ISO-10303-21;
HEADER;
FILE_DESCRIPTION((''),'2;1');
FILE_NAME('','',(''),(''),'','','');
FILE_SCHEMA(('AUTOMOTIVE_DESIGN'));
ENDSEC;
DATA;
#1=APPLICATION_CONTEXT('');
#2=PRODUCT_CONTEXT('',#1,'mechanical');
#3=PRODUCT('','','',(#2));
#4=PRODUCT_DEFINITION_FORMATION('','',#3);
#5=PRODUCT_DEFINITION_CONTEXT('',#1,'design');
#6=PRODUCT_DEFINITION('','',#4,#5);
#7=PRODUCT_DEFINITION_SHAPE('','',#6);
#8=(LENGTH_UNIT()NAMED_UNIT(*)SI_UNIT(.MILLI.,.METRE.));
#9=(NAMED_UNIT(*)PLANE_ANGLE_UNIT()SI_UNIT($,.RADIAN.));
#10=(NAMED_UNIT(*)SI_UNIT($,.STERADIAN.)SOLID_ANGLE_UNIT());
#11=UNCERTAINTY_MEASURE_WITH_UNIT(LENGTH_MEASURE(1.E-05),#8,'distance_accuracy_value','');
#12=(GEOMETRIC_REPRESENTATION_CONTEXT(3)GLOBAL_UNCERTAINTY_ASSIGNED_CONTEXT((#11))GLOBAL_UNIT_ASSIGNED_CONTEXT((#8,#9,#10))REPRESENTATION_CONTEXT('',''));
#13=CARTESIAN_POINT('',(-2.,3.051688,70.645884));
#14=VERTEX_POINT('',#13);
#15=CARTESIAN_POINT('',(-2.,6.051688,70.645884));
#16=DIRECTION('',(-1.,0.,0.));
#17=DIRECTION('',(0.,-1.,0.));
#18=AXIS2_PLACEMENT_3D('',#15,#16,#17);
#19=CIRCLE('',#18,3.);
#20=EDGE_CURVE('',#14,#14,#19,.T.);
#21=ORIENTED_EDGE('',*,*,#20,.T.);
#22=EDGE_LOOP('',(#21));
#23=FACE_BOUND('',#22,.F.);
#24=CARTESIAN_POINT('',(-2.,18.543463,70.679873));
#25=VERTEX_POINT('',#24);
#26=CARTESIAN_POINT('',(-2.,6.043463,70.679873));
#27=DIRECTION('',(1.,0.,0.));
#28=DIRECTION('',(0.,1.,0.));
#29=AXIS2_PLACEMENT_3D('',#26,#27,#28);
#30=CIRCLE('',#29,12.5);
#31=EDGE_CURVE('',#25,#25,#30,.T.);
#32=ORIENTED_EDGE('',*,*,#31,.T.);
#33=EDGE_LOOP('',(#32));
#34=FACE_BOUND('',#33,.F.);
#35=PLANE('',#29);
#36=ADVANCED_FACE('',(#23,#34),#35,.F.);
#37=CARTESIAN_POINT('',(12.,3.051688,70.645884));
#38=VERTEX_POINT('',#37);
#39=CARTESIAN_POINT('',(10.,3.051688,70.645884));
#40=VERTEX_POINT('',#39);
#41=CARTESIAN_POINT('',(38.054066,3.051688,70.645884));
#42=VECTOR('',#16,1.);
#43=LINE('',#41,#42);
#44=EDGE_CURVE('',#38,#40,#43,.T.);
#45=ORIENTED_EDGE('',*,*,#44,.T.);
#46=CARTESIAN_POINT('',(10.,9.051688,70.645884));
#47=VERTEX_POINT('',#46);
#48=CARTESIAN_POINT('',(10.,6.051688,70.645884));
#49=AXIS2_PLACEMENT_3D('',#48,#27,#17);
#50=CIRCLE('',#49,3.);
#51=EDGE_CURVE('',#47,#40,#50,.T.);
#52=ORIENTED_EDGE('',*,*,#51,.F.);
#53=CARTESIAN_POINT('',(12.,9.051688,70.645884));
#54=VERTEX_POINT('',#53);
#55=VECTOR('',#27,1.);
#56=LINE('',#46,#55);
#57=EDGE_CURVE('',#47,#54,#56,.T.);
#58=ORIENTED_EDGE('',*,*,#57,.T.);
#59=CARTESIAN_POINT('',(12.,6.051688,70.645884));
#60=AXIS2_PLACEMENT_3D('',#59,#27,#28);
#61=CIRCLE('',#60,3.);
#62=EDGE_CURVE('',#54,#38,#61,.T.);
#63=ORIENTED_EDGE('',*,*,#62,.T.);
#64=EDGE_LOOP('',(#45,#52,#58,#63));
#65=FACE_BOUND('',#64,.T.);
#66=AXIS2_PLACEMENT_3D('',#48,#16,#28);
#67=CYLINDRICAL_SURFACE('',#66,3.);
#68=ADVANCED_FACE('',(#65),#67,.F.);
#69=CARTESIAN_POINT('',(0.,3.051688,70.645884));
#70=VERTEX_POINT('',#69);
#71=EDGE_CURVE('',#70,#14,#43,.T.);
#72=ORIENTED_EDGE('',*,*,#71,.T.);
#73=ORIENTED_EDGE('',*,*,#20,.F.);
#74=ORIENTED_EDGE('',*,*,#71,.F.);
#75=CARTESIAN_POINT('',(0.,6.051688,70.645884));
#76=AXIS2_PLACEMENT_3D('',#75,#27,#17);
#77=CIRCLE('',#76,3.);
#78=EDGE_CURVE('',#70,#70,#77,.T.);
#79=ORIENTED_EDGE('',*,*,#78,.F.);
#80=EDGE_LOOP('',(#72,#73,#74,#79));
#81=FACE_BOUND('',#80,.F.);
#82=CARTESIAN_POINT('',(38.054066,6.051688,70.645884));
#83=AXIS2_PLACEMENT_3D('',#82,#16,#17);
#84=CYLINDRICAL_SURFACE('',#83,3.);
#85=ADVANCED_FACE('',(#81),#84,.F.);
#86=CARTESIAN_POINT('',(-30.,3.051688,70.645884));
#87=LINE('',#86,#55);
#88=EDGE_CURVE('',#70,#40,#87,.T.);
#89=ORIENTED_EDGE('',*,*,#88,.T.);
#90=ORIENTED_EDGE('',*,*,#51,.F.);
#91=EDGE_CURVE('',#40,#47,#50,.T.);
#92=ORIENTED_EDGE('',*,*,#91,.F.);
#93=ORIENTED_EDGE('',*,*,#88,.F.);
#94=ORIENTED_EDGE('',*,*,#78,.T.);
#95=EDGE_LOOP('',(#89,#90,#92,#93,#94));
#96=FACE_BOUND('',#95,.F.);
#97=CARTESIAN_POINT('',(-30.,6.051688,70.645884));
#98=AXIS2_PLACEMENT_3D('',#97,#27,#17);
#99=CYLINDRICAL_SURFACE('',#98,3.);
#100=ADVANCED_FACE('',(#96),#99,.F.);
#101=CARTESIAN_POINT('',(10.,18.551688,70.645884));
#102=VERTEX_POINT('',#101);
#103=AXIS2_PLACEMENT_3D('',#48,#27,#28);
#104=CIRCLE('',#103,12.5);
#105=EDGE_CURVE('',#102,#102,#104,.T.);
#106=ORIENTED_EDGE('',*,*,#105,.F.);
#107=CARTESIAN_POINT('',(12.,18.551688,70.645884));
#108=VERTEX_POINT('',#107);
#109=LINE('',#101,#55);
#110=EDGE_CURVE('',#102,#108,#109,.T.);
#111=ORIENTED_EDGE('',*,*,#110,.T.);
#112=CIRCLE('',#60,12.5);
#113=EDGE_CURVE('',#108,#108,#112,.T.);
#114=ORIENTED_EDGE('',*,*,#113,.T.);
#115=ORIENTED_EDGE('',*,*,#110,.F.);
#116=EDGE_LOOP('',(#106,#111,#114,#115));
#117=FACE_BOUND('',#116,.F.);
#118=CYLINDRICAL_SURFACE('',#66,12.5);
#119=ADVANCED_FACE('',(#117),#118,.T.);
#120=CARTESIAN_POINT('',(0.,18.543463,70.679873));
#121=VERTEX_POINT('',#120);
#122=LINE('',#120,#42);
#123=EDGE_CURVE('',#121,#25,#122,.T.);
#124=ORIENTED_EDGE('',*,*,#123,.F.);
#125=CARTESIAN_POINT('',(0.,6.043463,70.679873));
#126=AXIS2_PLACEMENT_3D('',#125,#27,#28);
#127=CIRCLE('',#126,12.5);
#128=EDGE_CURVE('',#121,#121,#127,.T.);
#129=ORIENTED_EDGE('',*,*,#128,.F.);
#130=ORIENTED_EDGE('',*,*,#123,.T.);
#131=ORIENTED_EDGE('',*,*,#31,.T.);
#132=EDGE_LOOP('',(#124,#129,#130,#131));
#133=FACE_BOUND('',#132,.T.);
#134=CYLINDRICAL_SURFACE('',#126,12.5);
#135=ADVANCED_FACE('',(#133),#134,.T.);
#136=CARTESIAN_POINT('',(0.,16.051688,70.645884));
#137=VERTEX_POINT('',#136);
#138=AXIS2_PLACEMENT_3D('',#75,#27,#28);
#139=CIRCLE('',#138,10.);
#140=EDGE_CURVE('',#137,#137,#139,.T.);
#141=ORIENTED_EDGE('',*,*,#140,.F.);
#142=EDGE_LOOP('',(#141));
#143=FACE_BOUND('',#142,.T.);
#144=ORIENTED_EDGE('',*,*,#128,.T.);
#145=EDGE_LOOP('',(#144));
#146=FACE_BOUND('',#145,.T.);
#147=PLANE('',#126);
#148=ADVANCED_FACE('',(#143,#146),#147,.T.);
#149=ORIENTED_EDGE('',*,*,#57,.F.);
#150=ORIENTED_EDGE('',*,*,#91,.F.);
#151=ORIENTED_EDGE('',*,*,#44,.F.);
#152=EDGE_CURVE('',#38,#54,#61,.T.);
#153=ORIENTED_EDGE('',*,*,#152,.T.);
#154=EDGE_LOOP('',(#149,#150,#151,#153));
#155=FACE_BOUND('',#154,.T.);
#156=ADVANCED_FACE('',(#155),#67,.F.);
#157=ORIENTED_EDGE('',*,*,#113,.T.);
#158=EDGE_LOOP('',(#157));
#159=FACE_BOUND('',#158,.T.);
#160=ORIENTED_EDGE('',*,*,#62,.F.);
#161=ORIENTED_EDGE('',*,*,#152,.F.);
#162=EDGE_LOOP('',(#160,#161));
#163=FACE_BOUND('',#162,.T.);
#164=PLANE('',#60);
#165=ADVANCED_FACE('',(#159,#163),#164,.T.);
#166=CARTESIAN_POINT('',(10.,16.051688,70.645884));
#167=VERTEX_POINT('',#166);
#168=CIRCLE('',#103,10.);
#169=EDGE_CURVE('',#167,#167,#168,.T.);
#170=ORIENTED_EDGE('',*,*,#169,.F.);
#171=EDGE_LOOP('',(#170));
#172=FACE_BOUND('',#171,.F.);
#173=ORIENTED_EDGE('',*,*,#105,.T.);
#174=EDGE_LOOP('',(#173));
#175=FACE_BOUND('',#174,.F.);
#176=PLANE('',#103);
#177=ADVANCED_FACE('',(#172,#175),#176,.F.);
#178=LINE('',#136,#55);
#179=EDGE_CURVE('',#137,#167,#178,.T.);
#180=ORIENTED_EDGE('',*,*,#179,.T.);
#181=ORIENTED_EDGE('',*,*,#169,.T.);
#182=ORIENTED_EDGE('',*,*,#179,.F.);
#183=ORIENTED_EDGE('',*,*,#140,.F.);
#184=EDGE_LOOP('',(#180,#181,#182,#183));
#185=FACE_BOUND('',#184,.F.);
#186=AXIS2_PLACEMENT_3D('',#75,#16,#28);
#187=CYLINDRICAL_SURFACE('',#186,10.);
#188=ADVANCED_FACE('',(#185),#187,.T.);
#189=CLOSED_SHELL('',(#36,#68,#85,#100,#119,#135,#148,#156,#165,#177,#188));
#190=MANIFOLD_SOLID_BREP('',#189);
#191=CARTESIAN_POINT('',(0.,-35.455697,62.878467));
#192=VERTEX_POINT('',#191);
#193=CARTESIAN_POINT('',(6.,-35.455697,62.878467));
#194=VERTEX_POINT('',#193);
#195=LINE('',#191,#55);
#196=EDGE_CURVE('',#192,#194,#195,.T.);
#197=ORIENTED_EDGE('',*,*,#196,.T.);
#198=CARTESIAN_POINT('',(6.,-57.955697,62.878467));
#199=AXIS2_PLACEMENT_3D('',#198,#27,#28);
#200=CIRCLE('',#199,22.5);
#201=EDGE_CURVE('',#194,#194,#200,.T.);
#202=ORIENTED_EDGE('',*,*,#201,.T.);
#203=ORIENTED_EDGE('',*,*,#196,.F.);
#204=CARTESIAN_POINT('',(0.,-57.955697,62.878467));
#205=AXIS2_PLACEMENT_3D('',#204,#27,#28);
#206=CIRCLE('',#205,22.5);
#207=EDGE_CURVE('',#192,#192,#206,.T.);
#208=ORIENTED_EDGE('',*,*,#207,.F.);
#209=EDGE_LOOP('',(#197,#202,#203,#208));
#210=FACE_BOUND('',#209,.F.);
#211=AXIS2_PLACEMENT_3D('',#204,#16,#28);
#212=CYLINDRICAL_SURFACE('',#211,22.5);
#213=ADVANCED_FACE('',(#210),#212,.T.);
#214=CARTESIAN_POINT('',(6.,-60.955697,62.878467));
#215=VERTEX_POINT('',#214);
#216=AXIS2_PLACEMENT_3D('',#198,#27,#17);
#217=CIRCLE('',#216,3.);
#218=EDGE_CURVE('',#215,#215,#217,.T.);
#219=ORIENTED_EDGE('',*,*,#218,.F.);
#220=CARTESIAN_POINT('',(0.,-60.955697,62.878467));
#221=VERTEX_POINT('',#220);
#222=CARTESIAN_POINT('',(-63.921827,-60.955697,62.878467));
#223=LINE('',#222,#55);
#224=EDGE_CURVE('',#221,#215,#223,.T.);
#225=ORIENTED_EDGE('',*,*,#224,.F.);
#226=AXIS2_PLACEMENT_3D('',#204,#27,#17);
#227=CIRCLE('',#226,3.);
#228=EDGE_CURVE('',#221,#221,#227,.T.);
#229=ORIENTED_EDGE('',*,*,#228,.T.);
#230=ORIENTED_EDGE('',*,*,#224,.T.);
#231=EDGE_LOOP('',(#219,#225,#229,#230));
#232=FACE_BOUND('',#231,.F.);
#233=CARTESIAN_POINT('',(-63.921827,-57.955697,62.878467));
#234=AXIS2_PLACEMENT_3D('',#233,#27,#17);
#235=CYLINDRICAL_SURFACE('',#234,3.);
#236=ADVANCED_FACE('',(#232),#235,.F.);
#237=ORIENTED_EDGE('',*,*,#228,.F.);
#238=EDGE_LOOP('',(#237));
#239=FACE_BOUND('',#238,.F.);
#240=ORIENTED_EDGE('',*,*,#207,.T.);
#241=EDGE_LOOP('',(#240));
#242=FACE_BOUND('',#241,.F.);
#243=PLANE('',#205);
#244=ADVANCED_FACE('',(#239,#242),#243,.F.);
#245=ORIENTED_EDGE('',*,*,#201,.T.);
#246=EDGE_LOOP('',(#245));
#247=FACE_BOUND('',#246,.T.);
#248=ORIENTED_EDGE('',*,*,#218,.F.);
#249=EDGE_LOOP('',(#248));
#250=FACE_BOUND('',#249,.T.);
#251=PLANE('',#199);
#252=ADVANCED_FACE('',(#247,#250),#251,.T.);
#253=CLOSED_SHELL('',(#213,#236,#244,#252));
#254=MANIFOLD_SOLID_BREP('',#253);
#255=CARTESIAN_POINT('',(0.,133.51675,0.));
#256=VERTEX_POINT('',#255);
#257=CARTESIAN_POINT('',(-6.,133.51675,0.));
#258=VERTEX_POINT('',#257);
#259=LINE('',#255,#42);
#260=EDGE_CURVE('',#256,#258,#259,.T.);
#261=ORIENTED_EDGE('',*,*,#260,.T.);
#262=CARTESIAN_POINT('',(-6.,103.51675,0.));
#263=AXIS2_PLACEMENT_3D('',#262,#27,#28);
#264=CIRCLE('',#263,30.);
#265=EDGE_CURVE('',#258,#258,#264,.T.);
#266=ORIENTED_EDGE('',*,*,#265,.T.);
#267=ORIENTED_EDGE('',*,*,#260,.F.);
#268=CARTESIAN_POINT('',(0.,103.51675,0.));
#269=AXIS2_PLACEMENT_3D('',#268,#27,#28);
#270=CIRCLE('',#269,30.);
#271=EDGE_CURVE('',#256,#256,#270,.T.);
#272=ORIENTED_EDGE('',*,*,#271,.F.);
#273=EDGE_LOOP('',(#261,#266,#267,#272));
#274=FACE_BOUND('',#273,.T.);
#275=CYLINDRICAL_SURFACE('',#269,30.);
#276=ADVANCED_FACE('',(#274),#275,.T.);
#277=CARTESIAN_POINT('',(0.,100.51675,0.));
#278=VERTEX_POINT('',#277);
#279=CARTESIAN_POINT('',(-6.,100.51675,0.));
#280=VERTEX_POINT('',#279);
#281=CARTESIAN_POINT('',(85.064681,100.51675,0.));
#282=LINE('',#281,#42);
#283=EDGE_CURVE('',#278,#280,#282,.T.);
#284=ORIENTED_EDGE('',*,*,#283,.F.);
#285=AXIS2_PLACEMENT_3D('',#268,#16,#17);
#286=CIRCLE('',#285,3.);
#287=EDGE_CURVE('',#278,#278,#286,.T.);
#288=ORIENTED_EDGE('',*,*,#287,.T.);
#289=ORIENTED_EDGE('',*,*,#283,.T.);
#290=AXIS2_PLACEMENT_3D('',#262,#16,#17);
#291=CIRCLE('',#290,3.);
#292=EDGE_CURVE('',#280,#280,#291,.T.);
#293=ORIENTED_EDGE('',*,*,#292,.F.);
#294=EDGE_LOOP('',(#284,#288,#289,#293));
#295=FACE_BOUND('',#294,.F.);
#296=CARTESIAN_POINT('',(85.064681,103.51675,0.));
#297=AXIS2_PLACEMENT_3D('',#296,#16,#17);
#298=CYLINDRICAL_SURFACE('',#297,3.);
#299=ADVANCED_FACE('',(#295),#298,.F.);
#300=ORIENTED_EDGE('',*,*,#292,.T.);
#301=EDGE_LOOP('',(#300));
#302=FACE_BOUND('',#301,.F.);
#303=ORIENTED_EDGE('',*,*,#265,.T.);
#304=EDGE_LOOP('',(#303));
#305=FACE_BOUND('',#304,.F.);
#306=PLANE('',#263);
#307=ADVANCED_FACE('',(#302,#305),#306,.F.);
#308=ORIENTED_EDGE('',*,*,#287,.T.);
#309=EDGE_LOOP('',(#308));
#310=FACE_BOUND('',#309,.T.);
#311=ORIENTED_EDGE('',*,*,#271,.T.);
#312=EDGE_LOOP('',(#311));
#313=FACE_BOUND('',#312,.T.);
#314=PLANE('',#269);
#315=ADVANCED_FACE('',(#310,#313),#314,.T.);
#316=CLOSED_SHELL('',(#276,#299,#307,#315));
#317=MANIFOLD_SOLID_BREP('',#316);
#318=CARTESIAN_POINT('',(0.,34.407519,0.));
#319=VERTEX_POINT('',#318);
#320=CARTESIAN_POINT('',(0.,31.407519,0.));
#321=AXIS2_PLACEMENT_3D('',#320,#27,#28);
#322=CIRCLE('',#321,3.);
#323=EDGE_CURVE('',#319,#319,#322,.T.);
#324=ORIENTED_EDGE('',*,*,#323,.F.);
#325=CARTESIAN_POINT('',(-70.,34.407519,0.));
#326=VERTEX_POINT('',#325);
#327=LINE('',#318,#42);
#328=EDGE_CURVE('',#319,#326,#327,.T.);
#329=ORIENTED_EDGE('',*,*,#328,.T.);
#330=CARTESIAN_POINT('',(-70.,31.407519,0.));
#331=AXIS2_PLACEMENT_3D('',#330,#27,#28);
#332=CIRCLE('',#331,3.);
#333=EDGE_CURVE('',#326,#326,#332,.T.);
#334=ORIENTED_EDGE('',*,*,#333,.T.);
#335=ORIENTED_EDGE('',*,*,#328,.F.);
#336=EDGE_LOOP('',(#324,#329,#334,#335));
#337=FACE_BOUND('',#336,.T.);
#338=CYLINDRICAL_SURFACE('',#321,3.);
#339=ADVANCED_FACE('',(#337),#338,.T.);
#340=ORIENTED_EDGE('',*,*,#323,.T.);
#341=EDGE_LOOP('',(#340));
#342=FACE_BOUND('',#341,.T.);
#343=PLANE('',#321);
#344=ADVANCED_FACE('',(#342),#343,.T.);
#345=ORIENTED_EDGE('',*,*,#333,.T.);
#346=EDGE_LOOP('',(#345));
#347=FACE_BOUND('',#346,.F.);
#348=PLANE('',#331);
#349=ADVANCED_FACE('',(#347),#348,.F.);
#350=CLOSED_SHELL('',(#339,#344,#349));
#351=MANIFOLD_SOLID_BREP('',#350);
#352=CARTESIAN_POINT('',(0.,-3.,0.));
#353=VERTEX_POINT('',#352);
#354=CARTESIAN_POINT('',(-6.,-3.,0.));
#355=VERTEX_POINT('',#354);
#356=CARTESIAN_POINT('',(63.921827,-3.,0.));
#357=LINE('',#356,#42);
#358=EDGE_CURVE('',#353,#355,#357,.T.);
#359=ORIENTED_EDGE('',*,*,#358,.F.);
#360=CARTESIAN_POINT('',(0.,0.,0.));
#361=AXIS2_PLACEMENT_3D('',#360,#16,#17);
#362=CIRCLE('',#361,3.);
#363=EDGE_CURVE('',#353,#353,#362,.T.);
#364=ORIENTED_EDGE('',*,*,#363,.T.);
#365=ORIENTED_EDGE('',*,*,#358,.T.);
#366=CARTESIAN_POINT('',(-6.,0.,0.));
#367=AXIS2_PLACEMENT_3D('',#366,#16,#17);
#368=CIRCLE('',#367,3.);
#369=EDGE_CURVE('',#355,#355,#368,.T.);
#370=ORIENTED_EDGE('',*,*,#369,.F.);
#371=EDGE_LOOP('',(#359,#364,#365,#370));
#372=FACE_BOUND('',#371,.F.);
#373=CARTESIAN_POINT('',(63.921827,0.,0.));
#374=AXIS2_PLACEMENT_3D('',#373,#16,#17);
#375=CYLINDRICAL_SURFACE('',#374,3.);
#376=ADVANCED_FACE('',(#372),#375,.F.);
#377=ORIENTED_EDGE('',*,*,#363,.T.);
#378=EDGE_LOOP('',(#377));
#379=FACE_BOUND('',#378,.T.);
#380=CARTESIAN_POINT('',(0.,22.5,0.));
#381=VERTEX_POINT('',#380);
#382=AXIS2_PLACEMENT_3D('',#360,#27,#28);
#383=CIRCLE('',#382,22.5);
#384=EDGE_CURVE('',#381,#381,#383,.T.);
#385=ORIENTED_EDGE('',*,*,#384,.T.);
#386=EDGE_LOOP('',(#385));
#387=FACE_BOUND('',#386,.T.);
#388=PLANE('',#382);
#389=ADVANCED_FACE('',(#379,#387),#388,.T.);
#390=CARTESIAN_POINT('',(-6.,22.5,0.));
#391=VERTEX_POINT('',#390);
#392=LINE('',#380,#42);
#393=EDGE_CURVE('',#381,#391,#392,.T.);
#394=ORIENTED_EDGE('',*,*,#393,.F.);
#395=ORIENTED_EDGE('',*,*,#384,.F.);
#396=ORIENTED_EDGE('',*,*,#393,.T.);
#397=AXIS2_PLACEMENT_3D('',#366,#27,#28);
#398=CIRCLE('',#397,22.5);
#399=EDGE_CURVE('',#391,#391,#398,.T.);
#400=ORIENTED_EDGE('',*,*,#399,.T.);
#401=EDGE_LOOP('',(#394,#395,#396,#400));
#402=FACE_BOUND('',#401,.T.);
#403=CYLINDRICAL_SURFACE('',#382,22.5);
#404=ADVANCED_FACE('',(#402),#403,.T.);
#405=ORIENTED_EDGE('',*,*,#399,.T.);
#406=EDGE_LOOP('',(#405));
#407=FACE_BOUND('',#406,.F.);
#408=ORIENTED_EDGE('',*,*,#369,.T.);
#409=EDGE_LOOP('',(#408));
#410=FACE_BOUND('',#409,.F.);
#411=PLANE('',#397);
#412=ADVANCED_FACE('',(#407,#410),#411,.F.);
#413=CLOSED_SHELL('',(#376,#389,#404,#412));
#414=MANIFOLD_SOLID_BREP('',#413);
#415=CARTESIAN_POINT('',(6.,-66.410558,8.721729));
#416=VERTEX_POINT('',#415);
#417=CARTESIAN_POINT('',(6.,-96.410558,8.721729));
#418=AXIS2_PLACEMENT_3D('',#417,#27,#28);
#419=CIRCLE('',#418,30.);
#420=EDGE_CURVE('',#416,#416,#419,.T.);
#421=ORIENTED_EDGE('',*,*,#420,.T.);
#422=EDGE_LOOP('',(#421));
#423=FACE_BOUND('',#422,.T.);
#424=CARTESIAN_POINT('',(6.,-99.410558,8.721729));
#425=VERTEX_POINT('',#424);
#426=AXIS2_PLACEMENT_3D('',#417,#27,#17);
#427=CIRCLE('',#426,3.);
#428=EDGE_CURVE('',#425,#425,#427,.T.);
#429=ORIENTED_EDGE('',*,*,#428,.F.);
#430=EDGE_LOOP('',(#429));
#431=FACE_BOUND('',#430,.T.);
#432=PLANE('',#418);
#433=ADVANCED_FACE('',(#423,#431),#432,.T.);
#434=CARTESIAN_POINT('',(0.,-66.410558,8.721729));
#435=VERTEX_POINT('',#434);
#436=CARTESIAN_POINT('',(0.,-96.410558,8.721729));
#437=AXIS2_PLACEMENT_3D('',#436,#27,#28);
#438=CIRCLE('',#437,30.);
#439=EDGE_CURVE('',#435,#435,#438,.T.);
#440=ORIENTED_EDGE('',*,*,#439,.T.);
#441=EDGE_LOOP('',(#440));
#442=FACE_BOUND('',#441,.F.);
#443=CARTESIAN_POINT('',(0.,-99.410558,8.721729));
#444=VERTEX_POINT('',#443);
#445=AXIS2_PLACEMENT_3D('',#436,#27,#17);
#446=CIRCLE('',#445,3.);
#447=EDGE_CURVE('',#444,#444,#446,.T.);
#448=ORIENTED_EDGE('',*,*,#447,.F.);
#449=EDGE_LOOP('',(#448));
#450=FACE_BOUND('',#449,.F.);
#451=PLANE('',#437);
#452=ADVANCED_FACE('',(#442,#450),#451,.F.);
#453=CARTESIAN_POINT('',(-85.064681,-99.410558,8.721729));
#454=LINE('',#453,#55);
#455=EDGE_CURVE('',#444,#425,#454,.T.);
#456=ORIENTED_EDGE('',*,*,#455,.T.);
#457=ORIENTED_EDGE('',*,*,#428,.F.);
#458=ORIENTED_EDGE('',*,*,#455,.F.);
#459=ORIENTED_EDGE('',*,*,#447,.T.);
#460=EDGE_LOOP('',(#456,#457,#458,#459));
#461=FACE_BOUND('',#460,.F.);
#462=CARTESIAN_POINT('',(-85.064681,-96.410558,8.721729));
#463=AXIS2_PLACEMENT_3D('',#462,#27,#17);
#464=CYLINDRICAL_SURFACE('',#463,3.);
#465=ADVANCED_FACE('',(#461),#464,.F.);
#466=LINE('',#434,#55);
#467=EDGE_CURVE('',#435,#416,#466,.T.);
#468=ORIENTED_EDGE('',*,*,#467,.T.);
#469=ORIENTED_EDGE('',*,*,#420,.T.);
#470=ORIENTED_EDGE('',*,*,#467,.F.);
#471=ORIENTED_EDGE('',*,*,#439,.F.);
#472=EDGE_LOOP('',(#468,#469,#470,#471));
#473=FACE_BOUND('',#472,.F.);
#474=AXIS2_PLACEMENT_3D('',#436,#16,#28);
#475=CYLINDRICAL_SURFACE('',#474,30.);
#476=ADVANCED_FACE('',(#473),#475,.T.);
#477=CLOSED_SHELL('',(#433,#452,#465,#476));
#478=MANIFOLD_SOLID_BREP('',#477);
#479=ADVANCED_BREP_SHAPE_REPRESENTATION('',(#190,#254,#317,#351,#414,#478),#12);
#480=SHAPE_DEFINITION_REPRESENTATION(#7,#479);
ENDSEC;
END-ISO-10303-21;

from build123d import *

# Parameters (mm, degrees)
F0_R      = 22.5
F1_DEPTH  = 6
F2_D      = 6
F3_R      = 30
F4_DEPTH  = 6
F5_D      = 6
F6_R      = 3
F7_DEPTH  = 70
F8_R      = 30
F9_DEPTH  = 6
F10_D     = 6
F11_R     = 22.5
F12_DEPTH = 6
F13_D     = 6
F14_R     = 10
F15_DEPTH = 10
F16_D     = 6
F17_R     = 12.5
F17_R_2   = 10
F17_R_3   = 3
F18_DEPTH = 2
F19_R     = 12.5
F19_R_2   = 10
F20_DEPTH = 2
F21_D     = 6


with BuildPart() as f1:
    # F0 (on Right) → F1 (new body)
    with BuildSketch(Plane.YZ):
        Circle(F0_R)
    extrude(amount=-F1_DEPTH)

    # F2 (through all)
    with Locations(Plane.YZ):
        with Locations((0, 0)):
            Hole(F2_D / 2)


with BuildPart() as f4:
    # F3 (on Right) → F4 (new body)
    with BuildSketch(Plane.YZ):
        with Locations((103.5167500303, 0)):
            Circle(F3_R)
    extrude(amount=-F4_DEPTH)

    # F5 (through all)
    with Locations(Plane.YZ):
        with Locations((103.5167500303, 0)):
            Hole(F5_D / 2)


with BuildPart() as f7:
    # F6 (on Right) → F7 (new body)
    with BuildSketch(Plane.YZ):
        with Locations((31.4075189506, 0)):
            Circle(F6_R)
    extrude(amount=-F7_DEPTH)


with BuildPart() as f9:
    # F8 (on Right) → F9 (new body)
    with BuildSketch(Plane.YZ):
        with Locations((-96.4105576277, 8.7217288092)):
            Circle(F8_R)
    extrude(amount=F9_DEPTH)

    # F10 (through all)
    with Locations(Plane(origin=(0, 0, 0), x_dir=(0, 1, 0), z_dir=(-1, 0, 0))):
        with Locations((-96.4105576277, -8.7217288092)):
            Hole(F10_D / 2)


with BuildPart() as f12:
    # F11 (on Right) → F12 (new body)
    with BuildSketch(Plane.YZ):
        with Locations((-57.9556971788, 62.8784671426)):
            Circle(F11_R)
    extrude(amount=F12_DEPTH)

    # F13 (through all)
    with Locations(Plane(origin=(0, 0, 0), x_dir=(0, 1, 0), z_dir=(-1, 0, 0))):
        with Locations((-57.9556971788, -62.8784671426)):
            Hole(F13_D / 2)


with BuildPart() as f15:
    # F14 (on Right) → F15 (new body)
    with BuildSketch(Plane.YZ):
        with Locations((6.0516879894, 70.6458836794)):
            Circle(F14_R)
    extrude(amount=F15_DEPTH)

    # F16 (through all)
    with Locations(Plane(origin=(0, 0, 0), x_dir=(0, 1, 0), z_dir=(-1, 0, 0))):
        with Locations((6.0516879894, -70.6458836794)):
            Hole(F16_D / 2)



with BuildPart() as f18:
    # F17 (on face) → F18 (new body)
    with BuildSketch(Plane.YZ.offset(10)):
        with Locations((6.0516879894, 70.6458836794)):
            Circle(F17_R)
        with Locations((6.0516879894, 70.6458836794)):
            Circle(F17_R_2, mode=Mode.SUBTRACT)
        with Locations((6.0516879894, 70.6458836794)):
            Circle(F17_R_2)
        with Locations((6.0516879894, 70.6458836794)):
            Circle(F17_R_3, mode=Mode.SUBTRACT)
    extrude(amount=F18_DEPTH)


with BuildPart() as f15_1:
    add(f15.part)

    add(f18.part)  # F20 merges F18
    # F19 (on face) + F14 (on Right) → F20 (join)
    with BuildSketch(Plane.YZ):
        with Locations((6.0434634797, 70.6798732281)):
            Circle(F19_R)
        with Locations((6.0516879894, 70.6458836794)):
            Circle(F19_R_2, mode=Mode.SUBTRACT)
    with BuildSketch(Plane.YZ):
        with Locations((6.0516879894, 70.6458836794)):
            Circle(F14_R)
    extrude(amount=-F20_DEPTH)

    # F21 (through all)
    with Locations(Plane.YZ):
        with Locations((6.0516879894, 70.6458836794)):
            Hole(F21_D / 2)


solid = Compound([f1.part, f4.part, f7.part, f9.part, f12.part, f15_1.part])
